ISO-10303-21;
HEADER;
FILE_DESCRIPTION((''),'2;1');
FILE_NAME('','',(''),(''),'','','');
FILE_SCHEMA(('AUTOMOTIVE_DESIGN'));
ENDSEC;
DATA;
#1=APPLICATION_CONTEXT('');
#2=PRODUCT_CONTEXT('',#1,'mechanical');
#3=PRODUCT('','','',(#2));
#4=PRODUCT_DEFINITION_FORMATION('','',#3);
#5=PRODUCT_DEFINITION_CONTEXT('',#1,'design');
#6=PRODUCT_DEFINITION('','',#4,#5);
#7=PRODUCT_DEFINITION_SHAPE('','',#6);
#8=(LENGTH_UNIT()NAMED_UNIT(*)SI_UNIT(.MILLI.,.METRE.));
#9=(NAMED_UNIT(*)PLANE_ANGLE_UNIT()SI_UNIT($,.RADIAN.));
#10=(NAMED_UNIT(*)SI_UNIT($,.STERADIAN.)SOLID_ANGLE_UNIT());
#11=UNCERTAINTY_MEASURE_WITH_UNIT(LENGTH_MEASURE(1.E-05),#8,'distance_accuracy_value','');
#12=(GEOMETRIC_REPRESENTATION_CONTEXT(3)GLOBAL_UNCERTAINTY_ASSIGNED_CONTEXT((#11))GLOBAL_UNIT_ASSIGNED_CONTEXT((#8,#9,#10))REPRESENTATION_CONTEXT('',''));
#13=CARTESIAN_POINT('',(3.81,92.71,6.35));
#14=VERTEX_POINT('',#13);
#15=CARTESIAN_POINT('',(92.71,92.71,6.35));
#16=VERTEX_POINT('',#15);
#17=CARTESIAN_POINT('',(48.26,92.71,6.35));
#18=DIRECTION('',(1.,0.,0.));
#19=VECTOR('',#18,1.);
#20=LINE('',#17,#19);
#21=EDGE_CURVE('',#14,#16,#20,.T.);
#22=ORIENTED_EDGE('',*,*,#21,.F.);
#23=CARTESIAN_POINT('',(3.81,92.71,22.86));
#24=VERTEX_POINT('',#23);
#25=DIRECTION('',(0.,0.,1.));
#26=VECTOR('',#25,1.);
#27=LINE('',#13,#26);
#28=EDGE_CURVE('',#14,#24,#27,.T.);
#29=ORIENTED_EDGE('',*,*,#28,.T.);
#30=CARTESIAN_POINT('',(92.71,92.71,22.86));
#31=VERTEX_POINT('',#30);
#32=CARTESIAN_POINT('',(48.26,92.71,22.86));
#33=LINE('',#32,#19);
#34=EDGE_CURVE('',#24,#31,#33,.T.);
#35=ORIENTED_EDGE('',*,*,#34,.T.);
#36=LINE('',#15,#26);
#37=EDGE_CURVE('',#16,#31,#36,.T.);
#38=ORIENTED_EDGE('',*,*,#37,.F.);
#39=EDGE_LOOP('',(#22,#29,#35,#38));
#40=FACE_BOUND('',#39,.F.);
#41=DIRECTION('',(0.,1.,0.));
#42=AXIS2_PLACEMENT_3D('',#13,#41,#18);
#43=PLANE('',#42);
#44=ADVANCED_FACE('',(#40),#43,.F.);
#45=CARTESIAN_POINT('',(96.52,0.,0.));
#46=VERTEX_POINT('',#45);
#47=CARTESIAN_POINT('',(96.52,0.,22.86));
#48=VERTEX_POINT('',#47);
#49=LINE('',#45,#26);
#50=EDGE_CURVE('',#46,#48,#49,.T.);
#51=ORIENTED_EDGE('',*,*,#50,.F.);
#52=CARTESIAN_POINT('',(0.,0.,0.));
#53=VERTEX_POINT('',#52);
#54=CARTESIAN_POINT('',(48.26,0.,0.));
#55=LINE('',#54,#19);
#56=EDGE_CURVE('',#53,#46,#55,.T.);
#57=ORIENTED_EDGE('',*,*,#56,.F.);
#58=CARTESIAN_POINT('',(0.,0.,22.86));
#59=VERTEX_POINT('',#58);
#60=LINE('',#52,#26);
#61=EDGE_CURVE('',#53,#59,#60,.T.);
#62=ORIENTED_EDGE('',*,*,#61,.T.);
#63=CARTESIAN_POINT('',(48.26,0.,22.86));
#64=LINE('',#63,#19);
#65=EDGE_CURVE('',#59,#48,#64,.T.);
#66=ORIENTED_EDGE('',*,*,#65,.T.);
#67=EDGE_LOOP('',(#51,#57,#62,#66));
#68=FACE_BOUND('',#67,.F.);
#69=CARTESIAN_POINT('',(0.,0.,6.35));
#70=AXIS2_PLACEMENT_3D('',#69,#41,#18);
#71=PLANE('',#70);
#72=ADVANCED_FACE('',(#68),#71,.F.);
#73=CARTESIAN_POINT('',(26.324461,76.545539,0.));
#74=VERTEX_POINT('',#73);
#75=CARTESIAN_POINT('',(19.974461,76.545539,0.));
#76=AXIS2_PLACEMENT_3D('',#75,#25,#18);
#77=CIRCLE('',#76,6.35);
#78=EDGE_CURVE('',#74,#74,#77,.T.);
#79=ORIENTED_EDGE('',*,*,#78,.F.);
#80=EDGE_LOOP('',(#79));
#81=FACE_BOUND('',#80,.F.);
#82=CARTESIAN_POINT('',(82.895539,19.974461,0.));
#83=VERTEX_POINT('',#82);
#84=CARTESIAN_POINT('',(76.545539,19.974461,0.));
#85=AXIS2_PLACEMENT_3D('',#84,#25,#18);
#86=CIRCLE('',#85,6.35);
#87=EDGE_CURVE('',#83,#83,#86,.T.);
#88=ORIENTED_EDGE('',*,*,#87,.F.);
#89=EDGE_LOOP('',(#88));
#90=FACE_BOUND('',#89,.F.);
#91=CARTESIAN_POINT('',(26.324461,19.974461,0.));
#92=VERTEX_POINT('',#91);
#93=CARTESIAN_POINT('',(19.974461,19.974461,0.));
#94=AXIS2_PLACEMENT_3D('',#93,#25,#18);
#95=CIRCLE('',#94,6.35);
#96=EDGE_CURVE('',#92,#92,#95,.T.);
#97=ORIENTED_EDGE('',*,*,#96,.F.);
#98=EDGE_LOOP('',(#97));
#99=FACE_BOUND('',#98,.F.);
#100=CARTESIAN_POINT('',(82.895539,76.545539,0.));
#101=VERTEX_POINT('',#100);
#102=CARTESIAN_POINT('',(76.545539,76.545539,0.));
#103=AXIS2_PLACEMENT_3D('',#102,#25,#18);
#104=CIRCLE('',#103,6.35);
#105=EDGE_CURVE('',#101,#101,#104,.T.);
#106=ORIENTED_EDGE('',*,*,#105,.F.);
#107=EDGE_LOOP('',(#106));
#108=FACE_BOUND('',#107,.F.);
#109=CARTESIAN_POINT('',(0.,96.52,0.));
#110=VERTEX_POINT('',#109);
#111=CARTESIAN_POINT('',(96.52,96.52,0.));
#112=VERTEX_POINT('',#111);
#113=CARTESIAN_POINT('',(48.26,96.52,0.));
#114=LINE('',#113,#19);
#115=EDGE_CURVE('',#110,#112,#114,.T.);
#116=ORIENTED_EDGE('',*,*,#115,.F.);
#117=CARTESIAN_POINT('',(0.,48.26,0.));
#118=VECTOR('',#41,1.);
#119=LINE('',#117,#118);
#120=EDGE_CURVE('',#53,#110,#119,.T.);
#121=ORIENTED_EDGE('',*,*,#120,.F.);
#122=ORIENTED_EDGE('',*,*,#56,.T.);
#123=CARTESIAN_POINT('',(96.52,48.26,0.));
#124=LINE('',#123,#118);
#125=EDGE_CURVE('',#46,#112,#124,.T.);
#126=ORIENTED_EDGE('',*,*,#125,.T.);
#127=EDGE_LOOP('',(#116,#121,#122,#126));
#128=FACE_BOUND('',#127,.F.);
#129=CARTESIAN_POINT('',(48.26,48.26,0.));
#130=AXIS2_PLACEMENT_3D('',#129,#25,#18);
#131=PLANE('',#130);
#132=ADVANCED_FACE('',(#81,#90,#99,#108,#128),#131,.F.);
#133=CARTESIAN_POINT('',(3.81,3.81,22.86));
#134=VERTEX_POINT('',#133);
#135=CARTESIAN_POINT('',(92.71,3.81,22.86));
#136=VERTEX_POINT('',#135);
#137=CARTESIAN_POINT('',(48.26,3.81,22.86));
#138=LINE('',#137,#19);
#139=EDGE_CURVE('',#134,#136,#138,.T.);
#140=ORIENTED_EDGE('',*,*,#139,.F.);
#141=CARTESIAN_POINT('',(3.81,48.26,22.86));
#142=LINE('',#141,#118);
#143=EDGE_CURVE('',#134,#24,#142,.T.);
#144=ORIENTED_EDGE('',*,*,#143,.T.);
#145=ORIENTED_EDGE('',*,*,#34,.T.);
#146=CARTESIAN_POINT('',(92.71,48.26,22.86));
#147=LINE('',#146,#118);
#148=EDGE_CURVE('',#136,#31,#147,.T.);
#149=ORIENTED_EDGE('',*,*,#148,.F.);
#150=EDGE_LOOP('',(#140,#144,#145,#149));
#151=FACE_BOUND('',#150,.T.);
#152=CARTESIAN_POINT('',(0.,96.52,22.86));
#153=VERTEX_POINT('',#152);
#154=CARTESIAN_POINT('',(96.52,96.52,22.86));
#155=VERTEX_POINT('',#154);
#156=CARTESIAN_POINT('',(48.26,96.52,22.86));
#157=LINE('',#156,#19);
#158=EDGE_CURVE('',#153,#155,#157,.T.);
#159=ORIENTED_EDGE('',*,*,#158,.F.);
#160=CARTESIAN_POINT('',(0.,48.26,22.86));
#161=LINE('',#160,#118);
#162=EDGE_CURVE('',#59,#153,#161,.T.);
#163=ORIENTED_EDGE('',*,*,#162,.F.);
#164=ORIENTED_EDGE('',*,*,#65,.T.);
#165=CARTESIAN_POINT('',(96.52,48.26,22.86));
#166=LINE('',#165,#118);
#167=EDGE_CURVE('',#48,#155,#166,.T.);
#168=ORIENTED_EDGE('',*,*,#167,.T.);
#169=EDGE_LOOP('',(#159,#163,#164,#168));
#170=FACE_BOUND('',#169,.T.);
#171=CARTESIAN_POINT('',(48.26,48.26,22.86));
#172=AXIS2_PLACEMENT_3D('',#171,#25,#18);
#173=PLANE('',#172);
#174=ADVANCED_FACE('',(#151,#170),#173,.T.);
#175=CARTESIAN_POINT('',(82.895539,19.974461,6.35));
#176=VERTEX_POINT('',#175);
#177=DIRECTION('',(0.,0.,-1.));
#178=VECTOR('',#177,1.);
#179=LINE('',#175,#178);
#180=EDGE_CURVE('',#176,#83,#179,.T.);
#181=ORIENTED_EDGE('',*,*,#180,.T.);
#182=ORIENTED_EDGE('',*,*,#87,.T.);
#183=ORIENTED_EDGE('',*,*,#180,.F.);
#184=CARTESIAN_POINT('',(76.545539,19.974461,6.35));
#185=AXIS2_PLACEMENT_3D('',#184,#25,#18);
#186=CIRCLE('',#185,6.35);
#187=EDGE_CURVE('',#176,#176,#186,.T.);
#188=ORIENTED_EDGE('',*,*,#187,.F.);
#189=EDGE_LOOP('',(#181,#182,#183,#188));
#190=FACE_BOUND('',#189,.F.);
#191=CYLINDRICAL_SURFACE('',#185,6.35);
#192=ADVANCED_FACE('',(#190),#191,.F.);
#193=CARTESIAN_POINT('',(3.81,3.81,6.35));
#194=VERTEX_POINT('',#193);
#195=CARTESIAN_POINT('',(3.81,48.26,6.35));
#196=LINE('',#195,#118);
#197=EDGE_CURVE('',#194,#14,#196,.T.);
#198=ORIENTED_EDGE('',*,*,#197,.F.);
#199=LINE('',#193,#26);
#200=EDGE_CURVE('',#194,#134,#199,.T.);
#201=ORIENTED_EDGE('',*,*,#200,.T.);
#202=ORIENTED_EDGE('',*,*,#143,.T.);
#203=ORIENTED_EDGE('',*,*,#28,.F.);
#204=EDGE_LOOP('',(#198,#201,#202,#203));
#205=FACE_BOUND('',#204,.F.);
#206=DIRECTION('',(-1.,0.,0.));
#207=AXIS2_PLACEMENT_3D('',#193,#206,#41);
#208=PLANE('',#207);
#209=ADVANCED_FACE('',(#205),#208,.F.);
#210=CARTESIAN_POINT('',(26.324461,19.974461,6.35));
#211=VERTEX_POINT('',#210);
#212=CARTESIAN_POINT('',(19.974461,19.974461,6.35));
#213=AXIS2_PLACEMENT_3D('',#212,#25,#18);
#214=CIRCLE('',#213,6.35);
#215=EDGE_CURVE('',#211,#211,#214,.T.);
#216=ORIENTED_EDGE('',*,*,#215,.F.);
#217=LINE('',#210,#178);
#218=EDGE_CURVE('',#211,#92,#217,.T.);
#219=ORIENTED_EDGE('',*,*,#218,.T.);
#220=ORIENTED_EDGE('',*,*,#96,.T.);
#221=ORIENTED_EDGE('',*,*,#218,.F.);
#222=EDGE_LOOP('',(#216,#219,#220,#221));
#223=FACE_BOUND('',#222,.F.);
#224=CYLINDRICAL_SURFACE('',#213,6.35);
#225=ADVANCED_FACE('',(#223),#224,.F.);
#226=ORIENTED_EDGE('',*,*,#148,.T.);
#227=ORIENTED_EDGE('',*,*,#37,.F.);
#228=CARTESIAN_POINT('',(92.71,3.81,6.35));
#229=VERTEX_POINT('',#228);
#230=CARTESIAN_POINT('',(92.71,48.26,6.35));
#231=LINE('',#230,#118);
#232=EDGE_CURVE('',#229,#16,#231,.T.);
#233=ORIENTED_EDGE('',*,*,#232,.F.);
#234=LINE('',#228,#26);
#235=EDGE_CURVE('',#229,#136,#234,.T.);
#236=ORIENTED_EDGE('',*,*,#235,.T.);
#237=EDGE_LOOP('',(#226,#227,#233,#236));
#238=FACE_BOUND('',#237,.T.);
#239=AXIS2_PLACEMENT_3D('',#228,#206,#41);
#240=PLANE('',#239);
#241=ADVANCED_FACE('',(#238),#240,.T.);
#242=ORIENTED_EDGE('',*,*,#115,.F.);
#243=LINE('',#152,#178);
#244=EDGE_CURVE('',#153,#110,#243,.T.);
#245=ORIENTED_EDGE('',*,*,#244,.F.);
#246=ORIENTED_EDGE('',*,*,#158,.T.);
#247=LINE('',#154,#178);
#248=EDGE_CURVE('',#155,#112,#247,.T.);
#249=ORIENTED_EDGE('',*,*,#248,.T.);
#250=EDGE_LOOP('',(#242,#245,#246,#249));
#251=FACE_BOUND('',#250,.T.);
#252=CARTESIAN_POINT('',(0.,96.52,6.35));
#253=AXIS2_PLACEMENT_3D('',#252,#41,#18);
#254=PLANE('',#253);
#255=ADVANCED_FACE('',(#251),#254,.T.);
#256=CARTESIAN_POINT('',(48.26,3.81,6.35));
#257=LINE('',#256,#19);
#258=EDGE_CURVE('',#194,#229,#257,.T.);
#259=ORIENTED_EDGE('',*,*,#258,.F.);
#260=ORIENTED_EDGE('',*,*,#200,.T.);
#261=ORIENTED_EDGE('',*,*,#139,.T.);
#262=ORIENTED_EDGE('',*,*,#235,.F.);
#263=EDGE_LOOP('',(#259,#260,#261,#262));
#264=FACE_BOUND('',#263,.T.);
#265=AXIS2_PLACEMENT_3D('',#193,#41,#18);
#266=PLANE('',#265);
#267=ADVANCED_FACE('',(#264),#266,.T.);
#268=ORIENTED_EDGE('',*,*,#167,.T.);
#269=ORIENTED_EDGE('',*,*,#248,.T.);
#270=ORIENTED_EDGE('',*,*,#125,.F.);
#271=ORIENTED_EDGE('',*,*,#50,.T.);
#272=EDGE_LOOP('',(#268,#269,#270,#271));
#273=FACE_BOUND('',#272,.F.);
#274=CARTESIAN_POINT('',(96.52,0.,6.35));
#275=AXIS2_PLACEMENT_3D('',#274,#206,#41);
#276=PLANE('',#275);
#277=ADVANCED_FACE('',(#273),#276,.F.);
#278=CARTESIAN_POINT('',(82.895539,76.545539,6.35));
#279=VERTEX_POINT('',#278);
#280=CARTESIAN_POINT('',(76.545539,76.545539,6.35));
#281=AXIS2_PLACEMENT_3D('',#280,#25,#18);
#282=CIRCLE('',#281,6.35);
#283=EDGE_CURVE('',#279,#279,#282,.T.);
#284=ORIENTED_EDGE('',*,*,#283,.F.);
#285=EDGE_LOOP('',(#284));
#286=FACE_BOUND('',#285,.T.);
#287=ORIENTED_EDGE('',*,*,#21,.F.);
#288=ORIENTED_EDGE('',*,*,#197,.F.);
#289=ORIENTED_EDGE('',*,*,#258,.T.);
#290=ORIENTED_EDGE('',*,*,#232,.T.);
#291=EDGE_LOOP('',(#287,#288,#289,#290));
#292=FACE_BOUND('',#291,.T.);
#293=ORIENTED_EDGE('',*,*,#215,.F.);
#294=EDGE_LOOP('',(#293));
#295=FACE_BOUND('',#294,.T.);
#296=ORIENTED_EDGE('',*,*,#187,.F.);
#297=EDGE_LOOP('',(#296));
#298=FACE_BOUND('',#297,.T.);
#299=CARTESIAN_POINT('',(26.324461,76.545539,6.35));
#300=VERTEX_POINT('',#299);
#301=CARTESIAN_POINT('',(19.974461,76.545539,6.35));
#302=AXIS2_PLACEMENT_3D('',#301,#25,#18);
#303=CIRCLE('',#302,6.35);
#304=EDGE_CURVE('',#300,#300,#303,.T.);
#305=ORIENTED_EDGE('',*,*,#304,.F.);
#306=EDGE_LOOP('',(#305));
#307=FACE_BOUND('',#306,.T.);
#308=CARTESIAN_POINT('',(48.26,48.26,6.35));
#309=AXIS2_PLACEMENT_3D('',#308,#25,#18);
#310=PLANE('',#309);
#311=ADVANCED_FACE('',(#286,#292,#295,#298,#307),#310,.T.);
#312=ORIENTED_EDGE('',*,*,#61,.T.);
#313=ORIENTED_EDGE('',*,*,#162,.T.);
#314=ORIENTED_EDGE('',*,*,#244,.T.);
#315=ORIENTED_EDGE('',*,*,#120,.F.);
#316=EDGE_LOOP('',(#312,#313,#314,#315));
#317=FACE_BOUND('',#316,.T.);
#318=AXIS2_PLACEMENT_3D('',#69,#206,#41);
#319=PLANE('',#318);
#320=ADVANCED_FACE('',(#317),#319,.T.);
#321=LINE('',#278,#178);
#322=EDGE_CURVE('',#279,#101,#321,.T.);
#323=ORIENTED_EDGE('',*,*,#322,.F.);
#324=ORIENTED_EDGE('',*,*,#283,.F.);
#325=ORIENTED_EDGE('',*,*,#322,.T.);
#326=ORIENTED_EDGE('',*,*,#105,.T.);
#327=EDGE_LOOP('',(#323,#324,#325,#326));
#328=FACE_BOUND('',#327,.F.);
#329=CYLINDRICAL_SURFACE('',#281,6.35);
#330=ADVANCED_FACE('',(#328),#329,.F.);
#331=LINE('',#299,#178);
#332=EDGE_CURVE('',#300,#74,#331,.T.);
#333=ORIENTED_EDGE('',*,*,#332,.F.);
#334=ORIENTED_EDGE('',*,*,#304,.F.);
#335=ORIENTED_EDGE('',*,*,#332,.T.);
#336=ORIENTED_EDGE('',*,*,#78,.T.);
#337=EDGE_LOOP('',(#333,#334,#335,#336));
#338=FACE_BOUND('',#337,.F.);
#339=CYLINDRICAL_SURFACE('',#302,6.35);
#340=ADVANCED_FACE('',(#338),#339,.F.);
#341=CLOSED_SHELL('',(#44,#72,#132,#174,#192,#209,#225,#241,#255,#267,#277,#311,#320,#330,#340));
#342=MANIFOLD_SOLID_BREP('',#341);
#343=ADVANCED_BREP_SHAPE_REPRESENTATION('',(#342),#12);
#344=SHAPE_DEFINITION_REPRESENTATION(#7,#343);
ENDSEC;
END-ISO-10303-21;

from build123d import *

# Parameters (mm, degrees)
F0_W     = 96.52
F0_H     = 96.52
F1_DEPTH = 6.35
F2_W     = 96.52
F2_H     = 96.52
F2_W_2   = 88.9
F2_H_2   = 88.9
F3_DEPTH = 16.51
F4_R     = 6.35
F5_DEPTH = 6.351


with BuildPart() as f1:
    # F0 (on Top) → F1 (new body)
    with BuildSketch(Plane.XY):
        with Locations((48.26, 48.26)):
            Rectangle(F0_W, F0_H)
    extrude(amount=F1_DEPTH)

    # F2 (on face) → F3 (join)
    with BuildSketch(Plane.XY.offset(6.35)):
        with Locations((48.26, 48.26)):
            Rectangle(F2_W, F2_H)
        with Locations((48.26, 48.26)):
            Rectangle(F2_W_2, F2_H_2, mode=Mode.SUBTRACT)
    extrude(amount=F3_DEPTH)

    # F4 (on face) → F5 (cut, through all)
    with BuildSketch(Plane.XY.offset(6.35)):
        with Locations((19.974461, 76.545539)):
            Circle(F4_R)
        with Locations((19.974461, 19.974461)):
            Circle(F4_R)
        with Locations((76.545539, 19.974461)):
            Circle(F4_R)
        with Locations((76.545539, 76.545539)):
            Circle(F4_R)
    extrude(amount=-F5_DEPTH, mode=Mode.SUBTRACT)


solid = f1.part
